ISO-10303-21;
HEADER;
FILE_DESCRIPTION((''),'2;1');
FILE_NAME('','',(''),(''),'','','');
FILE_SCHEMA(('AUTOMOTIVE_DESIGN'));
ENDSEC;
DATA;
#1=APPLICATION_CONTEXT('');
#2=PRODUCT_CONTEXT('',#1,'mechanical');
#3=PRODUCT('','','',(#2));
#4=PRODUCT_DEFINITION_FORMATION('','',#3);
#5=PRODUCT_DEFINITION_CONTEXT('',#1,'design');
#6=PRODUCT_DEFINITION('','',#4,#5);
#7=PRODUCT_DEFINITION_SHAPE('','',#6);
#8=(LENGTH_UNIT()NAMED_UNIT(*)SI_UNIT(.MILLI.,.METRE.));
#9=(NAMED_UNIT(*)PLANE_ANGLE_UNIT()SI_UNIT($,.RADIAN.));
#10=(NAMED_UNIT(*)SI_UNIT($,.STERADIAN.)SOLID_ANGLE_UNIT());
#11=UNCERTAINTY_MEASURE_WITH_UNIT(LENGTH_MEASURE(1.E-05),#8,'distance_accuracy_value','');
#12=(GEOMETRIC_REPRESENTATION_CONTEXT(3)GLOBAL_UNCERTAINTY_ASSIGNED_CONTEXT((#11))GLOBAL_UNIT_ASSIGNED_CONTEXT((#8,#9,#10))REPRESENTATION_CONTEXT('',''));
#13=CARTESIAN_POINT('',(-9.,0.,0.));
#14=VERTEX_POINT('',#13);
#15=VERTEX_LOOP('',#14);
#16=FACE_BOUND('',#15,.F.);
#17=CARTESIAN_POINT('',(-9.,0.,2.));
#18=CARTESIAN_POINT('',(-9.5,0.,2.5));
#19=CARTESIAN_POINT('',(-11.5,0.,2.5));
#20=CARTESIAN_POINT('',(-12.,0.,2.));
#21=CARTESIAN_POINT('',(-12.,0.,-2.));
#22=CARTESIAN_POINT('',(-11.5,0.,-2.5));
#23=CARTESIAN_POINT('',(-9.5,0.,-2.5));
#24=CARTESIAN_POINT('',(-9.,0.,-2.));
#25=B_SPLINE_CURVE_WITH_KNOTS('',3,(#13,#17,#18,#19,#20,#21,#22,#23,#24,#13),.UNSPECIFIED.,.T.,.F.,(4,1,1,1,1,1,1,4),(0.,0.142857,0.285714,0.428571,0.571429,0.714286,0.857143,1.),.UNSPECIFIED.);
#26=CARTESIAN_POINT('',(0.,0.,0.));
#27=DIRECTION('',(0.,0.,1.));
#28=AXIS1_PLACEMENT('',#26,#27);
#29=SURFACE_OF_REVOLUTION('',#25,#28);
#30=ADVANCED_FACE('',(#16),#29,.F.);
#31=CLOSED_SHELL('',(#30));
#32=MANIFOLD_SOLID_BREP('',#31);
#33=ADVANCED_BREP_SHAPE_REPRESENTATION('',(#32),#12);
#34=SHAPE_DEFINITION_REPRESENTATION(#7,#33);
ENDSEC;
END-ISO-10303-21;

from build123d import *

# Parameters (mm, degrees)
SKETCH_W    = 3
SKETCH_H    = 5
SKETCH001_W = 3
SKETCH001_H = 5


with BuildPart() as part:
    # Sketch → Revolution (revolve)
    with BuildSketch(Plane.XZ):
        with Locations((-10.5, 0)):
            Rectangle(SKETCH_W, SKETCH_H)
    revolve(axis=Axis((0, 0, 0), (0, 0, 1)))

    # Sketch001 → Groove (revolve, cut)
    with BuildSketch(Plane.XZ):
        with Locations((-10.5, 0)):
            Rectangle(SKETCH001_W, SKETCH001_H)
        with BuildLine():
            add(Edge.make_bspline(
                [(-9, 0), (-9, 2), (-9.5, 2.5), (-11.5, 2.5), (-12, 2), (-12, -2), (-11.5, -2.5), (-9.5, -2.5), (-9, -2), (-9, 0)],
                knots=[0, 0, 0, 0, 0.142857, 0.285714, 0.428571, 0.571429, 0.714286, 0.857143, 1, 1, 1, 1], degree=3))
        make_face(mode=Mode.SUBTRACT)
    revolve(axis=Axis((0, 0, 0), (0, 0, 1)), mode=Mode.SUBTRACT)


solid = part.part
